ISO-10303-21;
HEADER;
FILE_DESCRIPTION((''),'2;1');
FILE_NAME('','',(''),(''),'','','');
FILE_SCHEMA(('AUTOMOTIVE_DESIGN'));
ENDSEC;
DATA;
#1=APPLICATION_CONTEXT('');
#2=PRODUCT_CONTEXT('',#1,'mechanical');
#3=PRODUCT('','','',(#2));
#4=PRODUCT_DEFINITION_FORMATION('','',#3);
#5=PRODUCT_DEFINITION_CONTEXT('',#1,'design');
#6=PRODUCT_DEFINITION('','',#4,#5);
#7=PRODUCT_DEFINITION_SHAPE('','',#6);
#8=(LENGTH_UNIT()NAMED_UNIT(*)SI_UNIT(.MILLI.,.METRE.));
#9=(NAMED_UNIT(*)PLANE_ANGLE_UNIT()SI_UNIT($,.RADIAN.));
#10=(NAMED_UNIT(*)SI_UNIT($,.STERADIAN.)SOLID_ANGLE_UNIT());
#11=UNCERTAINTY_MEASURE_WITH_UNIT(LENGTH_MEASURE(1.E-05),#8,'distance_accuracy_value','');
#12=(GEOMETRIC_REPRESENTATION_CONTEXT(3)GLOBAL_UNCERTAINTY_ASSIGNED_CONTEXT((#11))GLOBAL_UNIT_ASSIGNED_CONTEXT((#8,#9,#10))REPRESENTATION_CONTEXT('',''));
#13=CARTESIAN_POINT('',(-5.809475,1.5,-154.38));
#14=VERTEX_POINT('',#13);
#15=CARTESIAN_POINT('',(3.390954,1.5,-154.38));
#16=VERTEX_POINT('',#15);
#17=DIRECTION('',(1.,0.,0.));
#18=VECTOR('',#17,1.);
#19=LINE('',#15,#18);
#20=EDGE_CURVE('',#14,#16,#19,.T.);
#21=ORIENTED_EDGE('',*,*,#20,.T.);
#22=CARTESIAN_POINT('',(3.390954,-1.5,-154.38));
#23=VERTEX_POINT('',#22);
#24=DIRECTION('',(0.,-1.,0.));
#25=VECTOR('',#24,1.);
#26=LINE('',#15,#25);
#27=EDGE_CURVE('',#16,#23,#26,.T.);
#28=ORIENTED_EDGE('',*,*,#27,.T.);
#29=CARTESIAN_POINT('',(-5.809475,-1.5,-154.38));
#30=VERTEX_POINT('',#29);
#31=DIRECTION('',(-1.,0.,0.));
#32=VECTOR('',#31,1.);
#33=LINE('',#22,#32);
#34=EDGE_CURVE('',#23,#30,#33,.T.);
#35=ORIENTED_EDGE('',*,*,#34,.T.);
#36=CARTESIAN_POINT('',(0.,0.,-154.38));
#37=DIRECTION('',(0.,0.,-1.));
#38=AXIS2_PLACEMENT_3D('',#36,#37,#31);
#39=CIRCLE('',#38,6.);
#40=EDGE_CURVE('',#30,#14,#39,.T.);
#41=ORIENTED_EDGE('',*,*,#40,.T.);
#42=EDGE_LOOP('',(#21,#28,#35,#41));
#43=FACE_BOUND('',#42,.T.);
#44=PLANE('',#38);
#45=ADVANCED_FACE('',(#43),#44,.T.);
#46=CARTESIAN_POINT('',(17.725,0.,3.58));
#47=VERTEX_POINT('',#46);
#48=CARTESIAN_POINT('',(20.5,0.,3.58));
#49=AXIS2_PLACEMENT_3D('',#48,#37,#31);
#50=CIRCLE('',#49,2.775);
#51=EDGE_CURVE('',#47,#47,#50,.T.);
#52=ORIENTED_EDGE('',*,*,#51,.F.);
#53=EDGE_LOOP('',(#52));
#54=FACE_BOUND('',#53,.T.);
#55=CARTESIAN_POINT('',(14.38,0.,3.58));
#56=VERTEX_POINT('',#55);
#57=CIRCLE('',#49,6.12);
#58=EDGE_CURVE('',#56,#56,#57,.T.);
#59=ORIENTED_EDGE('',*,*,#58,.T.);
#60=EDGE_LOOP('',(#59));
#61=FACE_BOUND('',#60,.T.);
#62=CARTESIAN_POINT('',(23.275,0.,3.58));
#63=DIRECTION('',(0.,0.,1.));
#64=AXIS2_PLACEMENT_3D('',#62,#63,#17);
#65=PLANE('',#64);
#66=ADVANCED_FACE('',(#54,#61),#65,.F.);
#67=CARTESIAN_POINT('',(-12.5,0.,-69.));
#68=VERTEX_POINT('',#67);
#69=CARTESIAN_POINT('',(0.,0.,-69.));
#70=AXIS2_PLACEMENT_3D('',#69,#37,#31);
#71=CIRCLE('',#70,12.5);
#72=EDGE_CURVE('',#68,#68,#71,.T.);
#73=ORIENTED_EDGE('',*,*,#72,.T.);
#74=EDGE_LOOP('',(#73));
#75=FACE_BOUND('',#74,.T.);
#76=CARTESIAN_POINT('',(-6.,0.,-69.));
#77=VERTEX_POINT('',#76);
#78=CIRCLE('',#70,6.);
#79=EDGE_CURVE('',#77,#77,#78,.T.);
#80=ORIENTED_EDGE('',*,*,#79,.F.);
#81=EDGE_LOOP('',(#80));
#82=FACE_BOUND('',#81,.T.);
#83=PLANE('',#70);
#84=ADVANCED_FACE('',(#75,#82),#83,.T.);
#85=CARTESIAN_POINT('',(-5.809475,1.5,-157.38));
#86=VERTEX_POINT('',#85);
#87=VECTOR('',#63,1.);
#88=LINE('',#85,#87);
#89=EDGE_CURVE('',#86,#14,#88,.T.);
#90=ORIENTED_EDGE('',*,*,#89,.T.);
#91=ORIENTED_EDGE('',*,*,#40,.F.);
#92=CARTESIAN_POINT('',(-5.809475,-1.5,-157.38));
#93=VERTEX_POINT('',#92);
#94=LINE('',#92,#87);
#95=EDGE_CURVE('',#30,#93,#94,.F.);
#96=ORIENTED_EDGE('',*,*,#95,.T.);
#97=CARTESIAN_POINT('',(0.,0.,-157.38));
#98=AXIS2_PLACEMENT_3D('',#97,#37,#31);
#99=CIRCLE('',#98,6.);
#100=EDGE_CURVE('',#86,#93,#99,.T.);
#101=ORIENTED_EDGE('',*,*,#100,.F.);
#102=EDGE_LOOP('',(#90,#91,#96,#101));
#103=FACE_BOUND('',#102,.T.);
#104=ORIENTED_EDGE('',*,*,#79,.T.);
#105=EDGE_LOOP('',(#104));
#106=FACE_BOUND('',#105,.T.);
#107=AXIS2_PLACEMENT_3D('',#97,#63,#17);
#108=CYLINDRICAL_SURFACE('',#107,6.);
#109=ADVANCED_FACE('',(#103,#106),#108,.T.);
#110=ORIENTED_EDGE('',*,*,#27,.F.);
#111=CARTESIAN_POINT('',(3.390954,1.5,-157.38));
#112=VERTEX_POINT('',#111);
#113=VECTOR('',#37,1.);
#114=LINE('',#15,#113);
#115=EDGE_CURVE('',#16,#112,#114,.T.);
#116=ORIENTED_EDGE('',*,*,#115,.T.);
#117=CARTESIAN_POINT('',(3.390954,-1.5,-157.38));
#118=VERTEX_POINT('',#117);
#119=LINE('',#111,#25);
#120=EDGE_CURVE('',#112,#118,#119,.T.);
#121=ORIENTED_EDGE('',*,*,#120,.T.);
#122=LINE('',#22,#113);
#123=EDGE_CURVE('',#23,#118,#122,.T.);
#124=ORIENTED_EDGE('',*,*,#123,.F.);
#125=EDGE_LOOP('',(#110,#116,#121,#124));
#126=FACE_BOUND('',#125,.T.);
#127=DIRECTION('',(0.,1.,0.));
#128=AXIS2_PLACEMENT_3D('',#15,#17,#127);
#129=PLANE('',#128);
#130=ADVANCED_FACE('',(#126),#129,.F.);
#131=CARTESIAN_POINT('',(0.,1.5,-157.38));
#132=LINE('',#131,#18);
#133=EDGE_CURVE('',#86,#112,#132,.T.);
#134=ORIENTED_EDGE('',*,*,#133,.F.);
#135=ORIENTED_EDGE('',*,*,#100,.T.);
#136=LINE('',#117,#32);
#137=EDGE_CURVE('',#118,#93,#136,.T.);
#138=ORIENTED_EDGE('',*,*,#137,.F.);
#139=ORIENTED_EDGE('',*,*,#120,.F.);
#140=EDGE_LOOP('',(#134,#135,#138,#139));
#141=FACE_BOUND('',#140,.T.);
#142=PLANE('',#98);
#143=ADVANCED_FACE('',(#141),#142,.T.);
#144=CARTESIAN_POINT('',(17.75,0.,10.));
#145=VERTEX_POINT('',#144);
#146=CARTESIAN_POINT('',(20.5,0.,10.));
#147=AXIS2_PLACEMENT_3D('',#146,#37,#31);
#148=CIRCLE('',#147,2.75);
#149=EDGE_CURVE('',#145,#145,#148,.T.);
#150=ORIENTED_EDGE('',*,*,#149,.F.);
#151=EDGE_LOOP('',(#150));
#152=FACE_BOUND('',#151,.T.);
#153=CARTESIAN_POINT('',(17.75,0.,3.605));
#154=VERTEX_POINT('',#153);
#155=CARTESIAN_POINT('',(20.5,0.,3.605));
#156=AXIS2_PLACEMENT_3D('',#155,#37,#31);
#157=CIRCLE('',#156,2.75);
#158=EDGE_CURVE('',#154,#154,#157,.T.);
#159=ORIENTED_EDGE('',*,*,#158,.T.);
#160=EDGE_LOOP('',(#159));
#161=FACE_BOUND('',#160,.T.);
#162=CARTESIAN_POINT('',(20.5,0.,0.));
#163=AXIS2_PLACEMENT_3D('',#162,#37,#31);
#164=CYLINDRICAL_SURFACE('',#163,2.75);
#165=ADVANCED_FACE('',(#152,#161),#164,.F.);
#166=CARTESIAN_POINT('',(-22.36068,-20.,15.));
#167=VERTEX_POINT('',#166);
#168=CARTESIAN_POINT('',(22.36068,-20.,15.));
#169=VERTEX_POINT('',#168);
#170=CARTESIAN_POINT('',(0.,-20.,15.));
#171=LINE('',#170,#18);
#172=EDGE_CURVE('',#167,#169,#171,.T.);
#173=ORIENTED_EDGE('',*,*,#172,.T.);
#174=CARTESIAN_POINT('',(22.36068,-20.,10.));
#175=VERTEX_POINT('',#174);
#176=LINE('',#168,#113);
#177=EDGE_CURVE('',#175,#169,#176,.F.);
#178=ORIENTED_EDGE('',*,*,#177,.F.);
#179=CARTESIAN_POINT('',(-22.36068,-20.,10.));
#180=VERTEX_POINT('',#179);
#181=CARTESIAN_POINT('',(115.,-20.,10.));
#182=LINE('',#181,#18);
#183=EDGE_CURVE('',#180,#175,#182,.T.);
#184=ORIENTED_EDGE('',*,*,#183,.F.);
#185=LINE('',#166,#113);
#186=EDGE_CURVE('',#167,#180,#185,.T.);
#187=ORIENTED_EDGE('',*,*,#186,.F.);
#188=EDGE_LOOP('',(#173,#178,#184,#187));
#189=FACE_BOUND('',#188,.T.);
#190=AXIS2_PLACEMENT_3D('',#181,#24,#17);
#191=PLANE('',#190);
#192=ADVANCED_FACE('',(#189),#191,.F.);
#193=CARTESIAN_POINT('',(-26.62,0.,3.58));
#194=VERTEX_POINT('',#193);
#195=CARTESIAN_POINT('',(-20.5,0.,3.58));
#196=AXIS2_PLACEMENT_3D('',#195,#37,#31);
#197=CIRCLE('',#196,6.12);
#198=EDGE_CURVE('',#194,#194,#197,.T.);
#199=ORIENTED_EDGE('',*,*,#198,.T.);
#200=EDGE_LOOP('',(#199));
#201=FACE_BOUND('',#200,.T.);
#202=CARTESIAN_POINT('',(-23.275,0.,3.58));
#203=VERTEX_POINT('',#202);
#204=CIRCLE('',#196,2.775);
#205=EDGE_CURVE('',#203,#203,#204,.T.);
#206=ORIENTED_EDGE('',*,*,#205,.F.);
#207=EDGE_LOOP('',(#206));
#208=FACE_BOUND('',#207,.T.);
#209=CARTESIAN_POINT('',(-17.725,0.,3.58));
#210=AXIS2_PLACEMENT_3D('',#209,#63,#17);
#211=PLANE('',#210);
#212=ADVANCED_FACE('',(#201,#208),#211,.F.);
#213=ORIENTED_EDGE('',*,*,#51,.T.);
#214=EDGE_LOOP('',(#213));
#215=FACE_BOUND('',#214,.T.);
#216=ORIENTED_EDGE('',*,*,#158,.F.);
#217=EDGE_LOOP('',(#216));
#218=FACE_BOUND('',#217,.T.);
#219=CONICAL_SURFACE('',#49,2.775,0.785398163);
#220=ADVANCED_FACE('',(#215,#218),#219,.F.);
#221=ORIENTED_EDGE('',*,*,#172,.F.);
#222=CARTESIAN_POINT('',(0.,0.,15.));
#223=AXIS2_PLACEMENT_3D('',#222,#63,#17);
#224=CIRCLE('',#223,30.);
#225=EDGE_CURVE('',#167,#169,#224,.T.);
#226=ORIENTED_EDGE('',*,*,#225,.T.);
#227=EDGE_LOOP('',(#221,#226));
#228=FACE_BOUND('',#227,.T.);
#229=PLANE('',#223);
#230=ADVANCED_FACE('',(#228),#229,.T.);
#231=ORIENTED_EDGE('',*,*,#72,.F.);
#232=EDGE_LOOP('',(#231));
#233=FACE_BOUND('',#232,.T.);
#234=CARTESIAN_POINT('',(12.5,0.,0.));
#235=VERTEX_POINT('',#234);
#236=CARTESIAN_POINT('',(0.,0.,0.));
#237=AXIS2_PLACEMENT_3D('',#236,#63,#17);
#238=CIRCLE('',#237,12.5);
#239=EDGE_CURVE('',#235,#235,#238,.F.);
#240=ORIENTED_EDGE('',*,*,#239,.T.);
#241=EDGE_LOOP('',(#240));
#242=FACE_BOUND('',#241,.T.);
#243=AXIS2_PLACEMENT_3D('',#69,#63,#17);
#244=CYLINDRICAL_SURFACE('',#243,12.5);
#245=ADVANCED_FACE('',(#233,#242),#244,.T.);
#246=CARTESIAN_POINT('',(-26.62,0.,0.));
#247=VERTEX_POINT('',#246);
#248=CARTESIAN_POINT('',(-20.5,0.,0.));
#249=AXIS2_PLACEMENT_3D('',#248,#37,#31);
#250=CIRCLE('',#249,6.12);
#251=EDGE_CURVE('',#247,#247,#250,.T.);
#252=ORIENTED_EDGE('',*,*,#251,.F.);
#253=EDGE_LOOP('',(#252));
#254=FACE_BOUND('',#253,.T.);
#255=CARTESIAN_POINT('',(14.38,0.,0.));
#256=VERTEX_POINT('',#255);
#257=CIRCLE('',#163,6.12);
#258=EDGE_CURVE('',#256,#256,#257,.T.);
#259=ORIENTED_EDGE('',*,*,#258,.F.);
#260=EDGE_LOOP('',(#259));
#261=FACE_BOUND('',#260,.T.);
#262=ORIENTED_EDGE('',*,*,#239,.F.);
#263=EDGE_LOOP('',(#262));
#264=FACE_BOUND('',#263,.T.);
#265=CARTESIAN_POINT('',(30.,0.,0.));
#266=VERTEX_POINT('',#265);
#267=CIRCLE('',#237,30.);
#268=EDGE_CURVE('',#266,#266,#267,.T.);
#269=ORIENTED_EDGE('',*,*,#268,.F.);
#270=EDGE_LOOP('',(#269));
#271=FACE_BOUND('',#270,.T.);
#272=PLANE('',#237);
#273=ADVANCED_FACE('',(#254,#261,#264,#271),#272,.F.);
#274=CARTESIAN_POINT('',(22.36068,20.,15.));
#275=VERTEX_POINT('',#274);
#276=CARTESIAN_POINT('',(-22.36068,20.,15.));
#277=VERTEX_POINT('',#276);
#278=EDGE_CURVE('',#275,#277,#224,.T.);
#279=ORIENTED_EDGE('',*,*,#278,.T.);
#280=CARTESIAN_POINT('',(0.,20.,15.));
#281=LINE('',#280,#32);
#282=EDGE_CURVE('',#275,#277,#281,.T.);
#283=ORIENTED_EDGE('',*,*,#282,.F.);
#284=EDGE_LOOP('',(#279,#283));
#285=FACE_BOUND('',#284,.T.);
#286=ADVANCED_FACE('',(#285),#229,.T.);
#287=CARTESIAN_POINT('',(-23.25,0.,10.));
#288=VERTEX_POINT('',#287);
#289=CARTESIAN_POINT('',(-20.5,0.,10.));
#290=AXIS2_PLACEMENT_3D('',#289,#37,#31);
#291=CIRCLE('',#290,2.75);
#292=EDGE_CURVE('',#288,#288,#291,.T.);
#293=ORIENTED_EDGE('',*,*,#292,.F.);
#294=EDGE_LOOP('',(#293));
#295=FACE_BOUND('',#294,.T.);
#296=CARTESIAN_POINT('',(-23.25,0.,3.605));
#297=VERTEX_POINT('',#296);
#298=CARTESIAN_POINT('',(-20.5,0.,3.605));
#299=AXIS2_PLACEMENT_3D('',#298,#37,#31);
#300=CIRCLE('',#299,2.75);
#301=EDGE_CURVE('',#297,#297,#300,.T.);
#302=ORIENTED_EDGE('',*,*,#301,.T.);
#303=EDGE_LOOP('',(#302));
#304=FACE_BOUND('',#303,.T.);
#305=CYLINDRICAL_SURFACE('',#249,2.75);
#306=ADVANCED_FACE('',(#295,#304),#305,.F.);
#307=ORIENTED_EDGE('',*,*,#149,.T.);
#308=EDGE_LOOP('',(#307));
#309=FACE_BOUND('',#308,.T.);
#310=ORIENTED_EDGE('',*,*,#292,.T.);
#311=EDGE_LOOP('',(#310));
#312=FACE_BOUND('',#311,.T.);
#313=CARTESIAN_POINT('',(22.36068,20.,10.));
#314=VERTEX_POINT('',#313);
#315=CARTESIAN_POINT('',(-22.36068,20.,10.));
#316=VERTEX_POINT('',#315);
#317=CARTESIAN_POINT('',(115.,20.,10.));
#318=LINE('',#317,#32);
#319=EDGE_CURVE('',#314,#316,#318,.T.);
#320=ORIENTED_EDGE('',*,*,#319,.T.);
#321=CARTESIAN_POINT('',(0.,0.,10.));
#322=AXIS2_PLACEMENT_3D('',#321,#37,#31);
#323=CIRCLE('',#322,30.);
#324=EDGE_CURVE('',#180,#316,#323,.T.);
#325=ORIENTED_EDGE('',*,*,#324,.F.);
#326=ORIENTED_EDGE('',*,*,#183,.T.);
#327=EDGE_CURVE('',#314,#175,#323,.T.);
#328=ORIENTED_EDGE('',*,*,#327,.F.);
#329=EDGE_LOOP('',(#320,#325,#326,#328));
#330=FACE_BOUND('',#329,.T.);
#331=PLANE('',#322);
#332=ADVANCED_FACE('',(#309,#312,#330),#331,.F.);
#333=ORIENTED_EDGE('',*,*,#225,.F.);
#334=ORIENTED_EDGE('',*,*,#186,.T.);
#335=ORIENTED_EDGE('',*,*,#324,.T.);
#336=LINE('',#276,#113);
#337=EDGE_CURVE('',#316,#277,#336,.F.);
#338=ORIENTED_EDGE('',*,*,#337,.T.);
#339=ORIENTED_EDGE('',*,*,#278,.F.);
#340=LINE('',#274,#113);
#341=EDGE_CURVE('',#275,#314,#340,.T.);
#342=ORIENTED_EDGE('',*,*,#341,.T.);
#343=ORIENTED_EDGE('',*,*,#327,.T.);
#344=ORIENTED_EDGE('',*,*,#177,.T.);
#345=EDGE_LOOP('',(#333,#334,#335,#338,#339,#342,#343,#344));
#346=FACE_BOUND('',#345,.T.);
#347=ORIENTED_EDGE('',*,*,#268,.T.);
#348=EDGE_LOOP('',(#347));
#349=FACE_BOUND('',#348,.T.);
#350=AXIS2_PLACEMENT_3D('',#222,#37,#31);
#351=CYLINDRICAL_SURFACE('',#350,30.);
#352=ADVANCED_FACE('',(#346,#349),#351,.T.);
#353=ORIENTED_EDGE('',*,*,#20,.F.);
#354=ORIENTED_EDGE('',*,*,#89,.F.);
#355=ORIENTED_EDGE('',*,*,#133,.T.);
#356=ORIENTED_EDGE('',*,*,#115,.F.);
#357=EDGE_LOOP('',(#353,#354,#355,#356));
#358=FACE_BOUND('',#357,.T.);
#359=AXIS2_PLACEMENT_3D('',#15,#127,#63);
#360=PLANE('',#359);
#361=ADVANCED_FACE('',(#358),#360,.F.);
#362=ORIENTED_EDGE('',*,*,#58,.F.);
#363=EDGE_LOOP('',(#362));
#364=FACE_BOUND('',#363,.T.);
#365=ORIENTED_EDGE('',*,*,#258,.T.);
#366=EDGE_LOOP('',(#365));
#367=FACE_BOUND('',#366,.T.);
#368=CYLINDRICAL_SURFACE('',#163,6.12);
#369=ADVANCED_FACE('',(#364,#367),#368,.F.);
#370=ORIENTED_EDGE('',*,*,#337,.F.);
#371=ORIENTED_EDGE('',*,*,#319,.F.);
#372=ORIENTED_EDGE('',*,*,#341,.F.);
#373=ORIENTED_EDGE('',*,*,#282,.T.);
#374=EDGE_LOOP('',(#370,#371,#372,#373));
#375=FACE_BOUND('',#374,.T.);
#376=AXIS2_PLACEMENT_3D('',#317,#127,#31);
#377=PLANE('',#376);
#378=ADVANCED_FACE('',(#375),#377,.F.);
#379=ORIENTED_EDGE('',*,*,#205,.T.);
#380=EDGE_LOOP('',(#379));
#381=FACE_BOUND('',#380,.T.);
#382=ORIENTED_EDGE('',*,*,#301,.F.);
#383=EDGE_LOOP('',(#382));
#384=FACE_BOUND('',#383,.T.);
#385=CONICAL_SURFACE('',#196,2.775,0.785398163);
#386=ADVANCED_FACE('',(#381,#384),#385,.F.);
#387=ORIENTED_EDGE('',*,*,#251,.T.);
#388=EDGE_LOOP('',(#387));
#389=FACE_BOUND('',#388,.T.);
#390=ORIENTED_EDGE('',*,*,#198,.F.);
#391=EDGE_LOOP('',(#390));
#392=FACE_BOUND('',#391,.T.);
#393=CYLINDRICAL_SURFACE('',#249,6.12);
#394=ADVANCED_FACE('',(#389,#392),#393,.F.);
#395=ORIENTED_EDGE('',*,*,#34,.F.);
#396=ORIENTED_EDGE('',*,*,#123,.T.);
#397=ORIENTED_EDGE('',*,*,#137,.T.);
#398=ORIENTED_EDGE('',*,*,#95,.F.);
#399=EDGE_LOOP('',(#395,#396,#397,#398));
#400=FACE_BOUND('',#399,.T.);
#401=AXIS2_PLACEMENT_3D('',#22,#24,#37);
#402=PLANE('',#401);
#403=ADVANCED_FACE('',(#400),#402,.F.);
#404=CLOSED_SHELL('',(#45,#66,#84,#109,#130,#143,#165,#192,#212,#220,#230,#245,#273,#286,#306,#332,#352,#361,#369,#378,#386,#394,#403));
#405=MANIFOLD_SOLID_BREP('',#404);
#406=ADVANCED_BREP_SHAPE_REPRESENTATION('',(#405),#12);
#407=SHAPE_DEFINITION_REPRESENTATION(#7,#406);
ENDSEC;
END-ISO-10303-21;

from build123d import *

# Parameters (mm, degrees)
ESQUISSE1_R                                = 30
BOSS_EXTRU_1_DEPTH                         = 15
ESQUISSE2_R                                = 12.5
BOSS_EXTRU_2_DEPTH                         = 69
ESQUISSE4_2_W                              = 230
ESQUISSE4_2_H                              = 40
ENL_V_MAT_EXTRU_1_DEPTH                    = 5
CHAMBRAGE_POUR_VIS_T_TE_HEXAGONALE_2_COUNT = 2
CHAMBRAGE_POUR_VIS_T_TE_HEXAGONALE_2_PITCH = 41
ESQUISSE17_R                               = 6
BOSS_EXTRU_4_DEPTH                         = 88.38
ESQUISSE18_W                               = 10.356322474
ESQUISSE18_H                               = 3
ENL_V_MAT_EXTRU_2_DEPTH                    = 3


with BuildPart() as part:
    # Esquisse1 → Boss.-Extru.1 (new body)
    with BuildSketch(Plane.XY):
        Circle(ESQUISSE1_R)
    extrude(amount=BOSS_EXTRU_1_DEPTH)

    # Esquisse2 → Boss.-Extru.2 (add)
    with BuildSketch(Plane(origin=(0, 0, 0), x_dir=(-1, 0, 0), z_dir=(0, 0, -1))):
        with Locations(Location((0, 0, 0), (0, 0, 180))):
            Circle(ESQUISSE2_R)
    extrude(amount=BOSS_EXTRU_2_DEPTH)

    # Esquisse4<2> → Enlèv. mat.-Extru.1 (cut)
    with BuildSketch(Plane.XY.offset(15)):
        Rectangle(ESQUISSE4_2_W, ESQUISSE4_2_H)
    extrude(amount=-ENL_V_MAT_EXTRU_1_DEPTH, mode=Mode.SUBTRACT)

    # Esquisse14 → Chambrage pour vis à tête hexagonale M51 (revolve, cut)
    with BuildSketch(Plane.YZ.offset(-20.5)):
        Polygon((0, 0), (0, 15), (2.75, 15), (2.75, 3.605), (2.775, 3.58), (6.12, 3.58), (6.12, 0), align=None)
    chambrage_pour_vis_t_te_hexagonale_m51 = revolve(axis=Axis((-20.5, 0, -6.35), (0, 0, 1)), mode=Mode.SUBTRACT)

    # Chambrage pour vis _ t_te hexagonale 2: Chambrage pour vis à tête hexagonale M51 ×2
    with Locations(*[(i * CHAMBRAGE_POUR_VIS_T_TE_HEXAGONALE_2_PITCH, 0, 0) for i in range(1, CHAMBRAGE_POUR_VIS_T_TE_HEXAGONALE_2_COUNT)]):
        add(chambrage_pour_vis_t_te_hexagonale_m51, mode=Mode.SUBTRACT)

    # Esquisse17 → Boss.-Extru.4 (add)
    with BuildSketch(Plane(origin=(0, 0, -69), x_dir=(-1, 0, 0), z_dir=(0, 0, -1))):
        Circle(ESQUISSE17_R)
    extrude(amount=BOSS_EXTRU_4_DEPTH)

    # Esquisse18 → Enlèv. mat.-Extru.2 (cut)
    with BuildSketch(Plane(origin=(0, 0, -157.38), x_dir=(-1, 0, 0), z_dir=(0, 0, -1))):
        with Locations((1.787207702, 0)):
            Rectangle(ESQUISSE18_W, ESQUISSE18_H)
    extrude(amount=-ENL_V_MAT_EXTRU_2_DEPTH, mode=Mode.SUBTRACT)


solid = part.part
